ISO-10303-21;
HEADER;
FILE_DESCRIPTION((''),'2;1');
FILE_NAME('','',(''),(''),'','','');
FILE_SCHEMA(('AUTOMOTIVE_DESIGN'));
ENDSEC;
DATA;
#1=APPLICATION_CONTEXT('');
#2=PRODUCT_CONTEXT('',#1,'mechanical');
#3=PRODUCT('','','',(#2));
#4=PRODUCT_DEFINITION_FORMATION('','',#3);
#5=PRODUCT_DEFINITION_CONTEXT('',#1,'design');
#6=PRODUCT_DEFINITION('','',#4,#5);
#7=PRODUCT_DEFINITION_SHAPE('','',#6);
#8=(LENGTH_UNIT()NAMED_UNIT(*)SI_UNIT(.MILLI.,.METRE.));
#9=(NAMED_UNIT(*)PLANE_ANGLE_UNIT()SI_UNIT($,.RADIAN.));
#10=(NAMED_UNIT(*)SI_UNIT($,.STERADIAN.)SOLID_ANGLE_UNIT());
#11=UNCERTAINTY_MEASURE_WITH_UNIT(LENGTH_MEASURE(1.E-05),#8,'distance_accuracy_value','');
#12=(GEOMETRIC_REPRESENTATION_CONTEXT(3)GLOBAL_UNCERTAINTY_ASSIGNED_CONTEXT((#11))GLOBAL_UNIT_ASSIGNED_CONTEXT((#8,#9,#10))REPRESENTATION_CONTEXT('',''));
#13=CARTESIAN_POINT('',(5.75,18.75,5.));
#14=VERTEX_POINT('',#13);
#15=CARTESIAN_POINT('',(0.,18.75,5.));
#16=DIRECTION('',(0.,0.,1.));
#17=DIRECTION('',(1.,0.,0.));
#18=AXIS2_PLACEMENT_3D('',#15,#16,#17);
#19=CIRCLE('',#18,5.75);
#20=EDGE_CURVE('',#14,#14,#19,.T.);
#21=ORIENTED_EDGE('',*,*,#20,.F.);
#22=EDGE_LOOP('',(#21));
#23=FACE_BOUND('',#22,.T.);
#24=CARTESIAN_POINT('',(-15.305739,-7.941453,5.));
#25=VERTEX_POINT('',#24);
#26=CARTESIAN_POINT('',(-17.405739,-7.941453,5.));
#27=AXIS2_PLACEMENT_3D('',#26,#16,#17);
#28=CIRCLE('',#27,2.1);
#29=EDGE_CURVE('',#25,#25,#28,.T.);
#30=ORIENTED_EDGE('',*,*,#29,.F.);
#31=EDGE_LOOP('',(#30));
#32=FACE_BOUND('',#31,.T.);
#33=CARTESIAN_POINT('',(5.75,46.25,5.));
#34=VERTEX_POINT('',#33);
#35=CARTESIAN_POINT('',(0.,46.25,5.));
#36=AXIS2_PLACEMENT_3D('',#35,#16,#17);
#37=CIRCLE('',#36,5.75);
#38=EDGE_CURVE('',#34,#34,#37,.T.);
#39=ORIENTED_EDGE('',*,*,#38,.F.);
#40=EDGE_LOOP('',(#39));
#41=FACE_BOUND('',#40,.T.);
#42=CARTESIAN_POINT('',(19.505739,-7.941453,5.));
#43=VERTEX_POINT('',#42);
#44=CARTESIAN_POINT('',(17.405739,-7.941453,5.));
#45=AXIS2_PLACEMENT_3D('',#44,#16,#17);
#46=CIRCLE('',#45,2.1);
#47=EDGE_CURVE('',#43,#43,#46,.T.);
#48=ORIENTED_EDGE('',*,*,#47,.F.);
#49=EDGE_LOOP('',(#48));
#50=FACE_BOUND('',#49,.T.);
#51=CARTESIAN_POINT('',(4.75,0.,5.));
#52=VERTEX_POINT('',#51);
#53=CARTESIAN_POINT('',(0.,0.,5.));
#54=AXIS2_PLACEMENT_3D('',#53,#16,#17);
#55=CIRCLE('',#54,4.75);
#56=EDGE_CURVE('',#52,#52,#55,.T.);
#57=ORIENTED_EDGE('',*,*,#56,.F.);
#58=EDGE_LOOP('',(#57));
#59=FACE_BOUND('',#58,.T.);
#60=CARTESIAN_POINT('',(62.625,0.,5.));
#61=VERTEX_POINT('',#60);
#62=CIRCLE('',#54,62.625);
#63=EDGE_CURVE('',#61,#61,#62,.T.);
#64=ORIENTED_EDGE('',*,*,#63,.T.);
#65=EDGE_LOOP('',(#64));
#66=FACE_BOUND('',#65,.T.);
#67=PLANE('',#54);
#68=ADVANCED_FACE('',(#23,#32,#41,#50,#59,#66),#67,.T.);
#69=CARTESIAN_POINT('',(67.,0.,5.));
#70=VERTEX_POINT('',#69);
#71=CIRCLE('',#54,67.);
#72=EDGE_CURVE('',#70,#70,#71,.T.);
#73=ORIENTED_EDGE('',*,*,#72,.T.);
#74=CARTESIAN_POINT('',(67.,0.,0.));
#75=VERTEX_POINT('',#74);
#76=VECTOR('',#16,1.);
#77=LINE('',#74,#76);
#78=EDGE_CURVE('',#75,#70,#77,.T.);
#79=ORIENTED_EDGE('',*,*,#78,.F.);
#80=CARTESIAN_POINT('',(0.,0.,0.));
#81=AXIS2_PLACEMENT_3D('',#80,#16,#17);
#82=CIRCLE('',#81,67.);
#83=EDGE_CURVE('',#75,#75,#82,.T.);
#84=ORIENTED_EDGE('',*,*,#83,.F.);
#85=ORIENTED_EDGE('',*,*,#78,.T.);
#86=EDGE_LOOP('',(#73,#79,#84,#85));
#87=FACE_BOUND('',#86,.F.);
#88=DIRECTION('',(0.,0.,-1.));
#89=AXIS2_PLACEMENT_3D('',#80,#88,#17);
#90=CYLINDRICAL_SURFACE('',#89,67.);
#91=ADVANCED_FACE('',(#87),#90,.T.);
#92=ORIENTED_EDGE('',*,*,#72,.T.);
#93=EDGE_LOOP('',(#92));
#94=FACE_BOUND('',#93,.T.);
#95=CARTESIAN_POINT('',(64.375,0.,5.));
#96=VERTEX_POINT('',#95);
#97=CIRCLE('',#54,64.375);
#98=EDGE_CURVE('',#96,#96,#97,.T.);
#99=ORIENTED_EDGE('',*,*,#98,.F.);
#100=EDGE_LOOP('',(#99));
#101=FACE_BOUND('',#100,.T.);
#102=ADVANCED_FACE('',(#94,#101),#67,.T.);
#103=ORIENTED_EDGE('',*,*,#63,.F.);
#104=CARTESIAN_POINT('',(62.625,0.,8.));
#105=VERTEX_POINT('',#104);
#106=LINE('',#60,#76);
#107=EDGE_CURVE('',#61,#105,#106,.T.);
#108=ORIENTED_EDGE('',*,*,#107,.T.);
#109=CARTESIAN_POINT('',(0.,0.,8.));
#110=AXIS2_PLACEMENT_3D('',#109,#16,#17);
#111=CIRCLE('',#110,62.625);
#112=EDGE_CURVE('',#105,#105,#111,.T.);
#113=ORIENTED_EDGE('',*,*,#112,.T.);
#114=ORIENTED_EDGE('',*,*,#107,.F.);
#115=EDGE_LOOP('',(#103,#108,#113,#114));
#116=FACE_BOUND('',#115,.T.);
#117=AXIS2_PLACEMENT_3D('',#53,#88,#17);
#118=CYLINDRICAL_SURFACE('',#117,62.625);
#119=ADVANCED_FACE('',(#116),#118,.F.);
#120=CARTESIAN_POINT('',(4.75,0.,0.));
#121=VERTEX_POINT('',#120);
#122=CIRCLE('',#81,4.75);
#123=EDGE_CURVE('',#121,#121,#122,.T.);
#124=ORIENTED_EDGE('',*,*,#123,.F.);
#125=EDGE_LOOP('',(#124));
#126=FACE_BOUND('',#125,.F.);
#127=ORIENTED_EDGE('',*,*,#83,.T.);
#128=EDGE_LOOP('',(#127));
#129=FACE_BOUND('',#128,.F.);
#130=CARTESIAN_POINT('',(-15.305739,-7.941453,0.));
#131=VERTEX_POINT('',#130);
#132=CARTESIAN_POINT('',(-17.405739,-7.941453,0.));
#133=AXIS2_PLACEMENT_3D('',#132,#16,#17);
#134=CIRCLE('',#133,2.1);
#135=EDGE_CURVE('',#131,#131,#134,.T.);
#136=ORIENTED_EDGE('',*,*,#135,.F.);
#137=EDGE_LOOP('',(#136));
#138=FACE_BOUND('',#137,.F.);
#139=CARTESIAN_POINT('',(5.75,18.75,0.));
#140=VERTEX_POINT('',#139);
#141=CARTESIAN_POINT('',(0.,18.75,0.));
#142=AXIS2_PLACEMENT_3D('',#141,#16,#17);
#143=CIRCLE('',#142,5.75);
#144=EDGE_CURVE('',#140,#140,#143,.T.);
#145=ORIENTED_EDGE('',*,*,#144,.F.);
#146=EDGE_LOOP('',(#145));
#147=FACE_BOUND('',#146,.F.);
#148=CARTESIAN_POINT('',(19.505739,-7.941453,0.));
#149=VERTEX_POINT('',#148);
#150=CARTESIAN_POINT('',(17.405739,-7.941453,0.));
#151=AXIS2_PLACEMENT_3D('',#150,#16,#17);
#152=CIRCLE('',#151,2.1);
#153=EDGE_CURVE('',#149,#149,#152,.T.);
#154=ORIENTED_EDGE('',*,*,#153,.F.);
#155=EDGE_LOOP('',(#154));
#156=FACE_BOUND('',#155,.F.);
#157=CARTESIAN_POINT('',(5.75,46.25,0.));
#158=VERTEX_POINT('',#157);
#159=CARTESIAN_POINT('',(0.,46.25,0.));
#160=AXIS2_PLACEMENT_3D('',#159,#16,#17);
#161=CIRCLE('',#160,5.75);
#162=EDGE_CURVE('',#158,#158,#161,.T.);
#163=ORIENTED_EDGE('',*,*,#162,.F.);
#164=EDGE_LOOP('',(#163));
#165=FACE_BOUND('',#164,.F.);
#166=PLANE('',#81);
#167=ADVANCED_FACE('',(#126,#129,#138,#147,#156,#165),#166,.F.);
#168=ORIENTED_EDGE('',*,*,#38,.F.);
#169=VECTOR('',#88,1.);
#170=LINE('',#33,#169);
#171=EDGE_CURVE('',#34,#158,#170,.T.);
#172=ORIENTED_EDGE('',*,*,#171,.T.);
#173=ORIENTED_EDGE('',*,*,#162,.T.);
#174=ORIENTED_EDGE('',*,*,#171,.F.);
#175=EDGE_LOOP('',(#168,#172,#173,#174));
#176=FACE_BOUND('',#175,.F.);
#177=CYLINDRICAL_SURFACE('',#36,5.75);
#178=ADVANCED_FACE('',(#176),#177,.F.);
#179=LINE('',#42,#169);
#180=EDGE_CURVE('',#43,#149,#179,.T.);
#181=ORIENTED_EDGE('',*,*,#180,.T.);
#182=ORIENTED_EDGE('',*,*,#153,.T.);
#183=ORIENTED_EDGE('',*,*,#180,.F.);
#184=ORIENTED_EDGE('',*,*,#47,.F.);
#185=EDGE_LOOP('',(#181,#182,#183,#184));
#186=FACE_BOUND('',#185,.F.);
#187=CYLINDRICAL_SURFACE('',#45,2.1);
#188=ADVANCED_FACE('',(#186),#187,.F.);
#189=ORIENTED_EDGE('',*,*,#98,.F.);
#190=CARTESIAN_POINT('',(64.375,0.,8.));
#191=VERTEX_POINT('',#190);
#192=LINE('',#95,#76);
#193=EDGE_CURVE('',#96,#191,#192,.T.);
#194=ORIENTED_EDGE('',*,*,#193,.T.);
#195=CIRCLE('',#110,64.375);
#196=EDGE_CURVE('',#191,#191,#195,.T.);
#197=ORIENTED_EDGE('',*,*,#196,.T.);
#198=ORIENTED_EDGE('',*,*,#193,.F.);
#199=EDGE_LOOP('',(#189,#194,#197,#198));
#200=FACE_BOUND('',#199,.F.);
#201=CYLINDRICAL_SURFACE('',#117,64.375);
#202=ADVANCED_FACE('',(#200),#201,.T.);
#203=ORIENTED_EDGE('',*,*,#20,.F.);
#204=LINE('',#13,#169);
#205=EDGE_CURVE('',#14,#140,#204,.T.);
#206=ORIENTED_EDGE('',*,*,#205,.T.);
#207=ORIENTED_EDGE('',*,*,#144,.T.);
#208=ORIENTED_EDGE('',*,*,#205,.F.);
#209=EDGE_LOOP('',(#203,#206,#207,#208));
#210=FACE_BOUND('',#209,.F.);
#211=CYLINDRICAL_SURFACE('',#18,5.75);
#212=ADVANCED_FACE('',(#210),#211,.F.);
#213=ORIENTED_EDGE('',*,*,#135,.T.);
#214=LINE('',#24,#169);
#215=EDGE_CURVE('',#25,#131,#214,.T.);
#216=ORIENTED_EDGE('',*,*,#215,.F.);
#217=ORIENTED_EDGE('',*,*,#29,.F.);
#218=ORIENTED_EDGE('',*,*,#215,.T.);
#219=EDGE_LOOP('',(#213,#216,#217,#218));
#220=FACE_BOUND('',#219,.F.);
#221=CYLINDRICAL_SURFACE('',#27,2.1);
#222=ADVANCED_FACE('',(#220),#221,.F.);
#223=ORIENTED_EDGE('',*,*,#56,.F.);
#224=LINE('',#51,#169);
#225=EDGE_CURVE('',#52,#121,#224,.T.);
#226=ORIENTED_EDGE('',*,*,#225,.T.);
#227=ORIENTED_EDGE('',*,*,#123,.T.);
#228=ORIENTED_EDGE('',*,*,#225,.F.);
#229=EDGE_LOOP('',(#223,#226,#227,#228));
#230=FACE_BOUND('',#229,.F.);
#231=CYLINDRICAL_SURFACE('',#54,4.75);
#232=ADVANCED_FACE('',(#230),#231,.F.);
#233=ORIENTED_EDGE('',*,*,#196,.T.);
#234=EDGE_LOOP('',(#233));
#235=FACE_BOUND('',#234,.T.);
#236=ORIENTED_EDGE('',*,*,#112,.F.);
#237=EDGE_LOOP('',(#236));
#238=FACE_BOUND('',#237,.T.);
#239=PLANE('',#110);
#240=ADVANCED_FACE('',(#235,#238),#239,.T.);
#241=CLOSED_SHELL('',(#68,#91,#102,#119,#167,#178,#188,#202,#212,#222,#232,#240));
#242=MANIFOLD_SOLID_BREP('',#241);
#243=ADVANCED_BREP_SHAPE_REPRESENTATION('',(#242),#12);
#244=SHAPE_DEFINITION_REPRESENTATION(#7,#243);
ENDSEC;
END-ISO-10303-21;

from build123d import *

# Parameters (mm, degrees)
F0_R      = 67
F1_DEPTH  = 5
F3_R      = 64.375
F3_R_2    = 62.625
F5_DEPTH  = 3
F7_R      = 2.1
F8_DEPTH  = 5.001
F6_R      = 5.75
F6_R_2    = 4.75
F9_DEPTH  = 5.001
F10_R     = 6.75
F10_R_2   = 5.75
F11_DEPTH = 0.5
F12_DEPTH = 0.5


with BuildPart() as f1:
    # F0 (on Top) → F1 (new body)
    with BuildSketch(Plane.XY):
        Circle(F0_R)
    extrude(amount=F1_DEPTH)

    # F3 (on face) → F5 (join)
    with BuildSketch(Plane.XY.offset(5)):
        Circle(F3_R)
        Circle(F3_R_2, mode=Mode.SUBTRACT)
    extrude(amount=F5_DEPTH)

    # F7 (on face) → F8 (cut, through all)
    with BuildSketch(Plane.XY.offset(5)):
        with Locations((17.4057390541, -7.9414527863)):
            Circle(F7_R)
        with Locations((-17.4057390541, -7.9414527863)):
            Circle(F7_R)
    extrude(amount=-F8_DEPTH, mode=Mode.SUBTRACT)

    # F6 (on face) → F9 (cut, through all)
    with BuildSketch(Plane.XY.offset(5)):
        with Locations((0, 46.25)):
            Circle(F6_R)
        with Locations((0, 18.75)):
            Circle(F6_R)
        Circle(F6_R_2)
    extrude(amount=-F9_DEPTH, mode=Mode.SUBTRACT)

    # F10 (on Top) → F11 (cut)
    with BuildSketch(Plane.XY):
        with Locations((0, 46.25)):
            Circle(F10_R)
        with Locations((0, 18.75)):
            Circle(F10_R)
        Circle(F10_R_2)
    extrude(amount=-F11_DEPTH, mode=Mode.SUBTRACT)

    # F10 (on Top) → F12 (cut)
    with BuildSketch(Plane.XY):
        with Locations((0, 46.25)):
            Circle(F10_R)
    extrude(amount=-F12_DEPTH, mode=Mode.SUBTRACT)


solid = f1.part
